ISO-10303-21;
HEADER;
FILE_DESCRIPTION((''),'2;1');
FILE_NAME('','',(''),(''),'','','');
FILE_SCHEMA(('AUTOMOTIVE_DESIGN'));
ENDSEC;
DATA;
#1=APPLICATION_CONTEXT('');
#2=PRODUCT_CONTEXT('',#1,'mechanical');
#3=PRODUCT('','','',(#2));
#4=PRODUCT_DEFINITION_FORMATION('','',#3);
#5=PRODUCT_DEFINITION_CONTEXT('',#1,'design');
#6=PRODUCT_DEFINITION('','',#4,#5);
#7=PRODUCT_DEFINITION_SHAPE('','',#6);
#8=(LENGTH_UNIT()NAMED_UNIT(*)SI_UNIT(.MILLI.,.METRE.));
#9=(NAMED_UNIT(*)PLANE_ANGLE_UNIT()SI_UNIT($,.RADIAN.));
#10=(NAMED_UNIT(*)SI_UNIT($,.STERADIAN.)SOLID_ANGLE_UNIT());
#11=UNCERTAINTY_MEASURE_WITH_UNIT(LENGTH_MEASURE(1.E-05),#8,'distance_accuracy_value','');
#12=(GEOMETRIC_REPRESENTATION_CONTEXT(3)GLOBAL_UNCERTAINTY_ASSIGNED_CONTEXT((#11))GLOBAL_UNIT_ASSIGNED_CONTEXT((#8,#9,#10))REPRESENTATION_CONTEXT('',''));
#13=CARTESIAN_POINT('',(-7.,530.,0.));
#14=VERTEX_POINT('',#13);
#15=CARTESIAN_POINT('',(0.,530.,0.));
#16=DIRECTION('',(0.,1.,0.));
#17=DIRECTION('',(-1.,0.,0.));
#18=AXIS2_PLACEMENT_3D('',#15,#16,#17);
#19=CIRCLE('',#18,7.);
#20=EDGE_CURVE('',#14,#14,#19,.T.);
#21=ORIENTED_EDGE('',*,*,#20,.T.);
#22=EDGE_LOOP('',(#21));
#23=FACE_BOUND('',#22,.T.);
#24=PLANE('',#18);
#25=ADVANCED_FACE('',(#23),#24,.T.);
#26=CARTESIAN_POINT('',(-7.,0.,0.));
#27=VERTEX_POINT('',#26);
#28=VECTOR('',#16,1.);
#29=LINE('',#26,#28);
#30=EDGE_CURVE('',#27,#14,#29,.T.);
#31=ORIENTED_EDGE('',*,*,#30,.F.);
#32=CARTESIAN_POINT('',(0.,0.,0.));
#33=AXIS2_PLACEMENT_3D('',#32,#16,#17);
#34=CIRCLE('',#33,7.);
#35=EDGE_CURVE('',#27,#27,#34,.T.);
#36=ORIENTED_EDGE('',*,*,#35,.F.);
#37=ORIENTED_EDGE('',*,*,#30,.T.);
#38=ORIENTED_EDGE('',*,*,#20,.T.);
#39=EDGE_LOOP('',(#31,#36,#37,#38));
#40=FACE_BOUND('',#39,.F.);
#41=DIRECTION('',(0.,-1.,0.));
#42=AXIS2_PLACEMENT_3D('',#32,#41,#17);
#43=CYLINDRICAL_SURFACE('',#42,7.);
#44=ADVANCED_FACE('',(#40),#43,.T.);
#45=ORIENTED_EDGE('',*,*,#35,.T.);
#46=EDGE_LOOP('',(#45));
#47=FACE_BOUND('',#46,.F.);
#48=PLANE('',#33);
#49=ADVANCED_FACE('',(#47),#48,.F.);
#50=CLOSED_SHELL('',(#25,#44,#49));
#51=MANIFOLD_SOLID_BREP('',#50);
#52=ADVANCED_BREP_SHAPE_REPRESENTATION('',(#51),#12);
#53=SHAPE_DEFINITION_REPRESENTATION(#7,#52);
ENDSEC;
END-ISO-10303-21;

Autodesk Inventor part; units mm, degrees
ref_plane "YZ Plane" through (0, 0, 0) normal (1, 0, 0) x (0, 1, 0)
ref_plane "XZ Plane" through (0, 0, 0) normal (0, 1, 0) x (-1, 0, 0)
ref_plane "XY Plane" through (0, 0, 0) normal (0, 0, 1) x (1, 0, 0)
sketch "Sketch1" plane through (0, 0, 0) normal (0, 1, 0) x (-1, 0, 0)
  circle A0 centre (0, 0) radius 7
  dimension "d0" = 14
extrude "Extrusion1" add sketch "Sketch1" along normal blind 530
thread "Thread1" size "1/2-13 UNC" class "2A" standard "ANSI Unified Screw Threads" length 530 offset 5
properties part number "shaft"
